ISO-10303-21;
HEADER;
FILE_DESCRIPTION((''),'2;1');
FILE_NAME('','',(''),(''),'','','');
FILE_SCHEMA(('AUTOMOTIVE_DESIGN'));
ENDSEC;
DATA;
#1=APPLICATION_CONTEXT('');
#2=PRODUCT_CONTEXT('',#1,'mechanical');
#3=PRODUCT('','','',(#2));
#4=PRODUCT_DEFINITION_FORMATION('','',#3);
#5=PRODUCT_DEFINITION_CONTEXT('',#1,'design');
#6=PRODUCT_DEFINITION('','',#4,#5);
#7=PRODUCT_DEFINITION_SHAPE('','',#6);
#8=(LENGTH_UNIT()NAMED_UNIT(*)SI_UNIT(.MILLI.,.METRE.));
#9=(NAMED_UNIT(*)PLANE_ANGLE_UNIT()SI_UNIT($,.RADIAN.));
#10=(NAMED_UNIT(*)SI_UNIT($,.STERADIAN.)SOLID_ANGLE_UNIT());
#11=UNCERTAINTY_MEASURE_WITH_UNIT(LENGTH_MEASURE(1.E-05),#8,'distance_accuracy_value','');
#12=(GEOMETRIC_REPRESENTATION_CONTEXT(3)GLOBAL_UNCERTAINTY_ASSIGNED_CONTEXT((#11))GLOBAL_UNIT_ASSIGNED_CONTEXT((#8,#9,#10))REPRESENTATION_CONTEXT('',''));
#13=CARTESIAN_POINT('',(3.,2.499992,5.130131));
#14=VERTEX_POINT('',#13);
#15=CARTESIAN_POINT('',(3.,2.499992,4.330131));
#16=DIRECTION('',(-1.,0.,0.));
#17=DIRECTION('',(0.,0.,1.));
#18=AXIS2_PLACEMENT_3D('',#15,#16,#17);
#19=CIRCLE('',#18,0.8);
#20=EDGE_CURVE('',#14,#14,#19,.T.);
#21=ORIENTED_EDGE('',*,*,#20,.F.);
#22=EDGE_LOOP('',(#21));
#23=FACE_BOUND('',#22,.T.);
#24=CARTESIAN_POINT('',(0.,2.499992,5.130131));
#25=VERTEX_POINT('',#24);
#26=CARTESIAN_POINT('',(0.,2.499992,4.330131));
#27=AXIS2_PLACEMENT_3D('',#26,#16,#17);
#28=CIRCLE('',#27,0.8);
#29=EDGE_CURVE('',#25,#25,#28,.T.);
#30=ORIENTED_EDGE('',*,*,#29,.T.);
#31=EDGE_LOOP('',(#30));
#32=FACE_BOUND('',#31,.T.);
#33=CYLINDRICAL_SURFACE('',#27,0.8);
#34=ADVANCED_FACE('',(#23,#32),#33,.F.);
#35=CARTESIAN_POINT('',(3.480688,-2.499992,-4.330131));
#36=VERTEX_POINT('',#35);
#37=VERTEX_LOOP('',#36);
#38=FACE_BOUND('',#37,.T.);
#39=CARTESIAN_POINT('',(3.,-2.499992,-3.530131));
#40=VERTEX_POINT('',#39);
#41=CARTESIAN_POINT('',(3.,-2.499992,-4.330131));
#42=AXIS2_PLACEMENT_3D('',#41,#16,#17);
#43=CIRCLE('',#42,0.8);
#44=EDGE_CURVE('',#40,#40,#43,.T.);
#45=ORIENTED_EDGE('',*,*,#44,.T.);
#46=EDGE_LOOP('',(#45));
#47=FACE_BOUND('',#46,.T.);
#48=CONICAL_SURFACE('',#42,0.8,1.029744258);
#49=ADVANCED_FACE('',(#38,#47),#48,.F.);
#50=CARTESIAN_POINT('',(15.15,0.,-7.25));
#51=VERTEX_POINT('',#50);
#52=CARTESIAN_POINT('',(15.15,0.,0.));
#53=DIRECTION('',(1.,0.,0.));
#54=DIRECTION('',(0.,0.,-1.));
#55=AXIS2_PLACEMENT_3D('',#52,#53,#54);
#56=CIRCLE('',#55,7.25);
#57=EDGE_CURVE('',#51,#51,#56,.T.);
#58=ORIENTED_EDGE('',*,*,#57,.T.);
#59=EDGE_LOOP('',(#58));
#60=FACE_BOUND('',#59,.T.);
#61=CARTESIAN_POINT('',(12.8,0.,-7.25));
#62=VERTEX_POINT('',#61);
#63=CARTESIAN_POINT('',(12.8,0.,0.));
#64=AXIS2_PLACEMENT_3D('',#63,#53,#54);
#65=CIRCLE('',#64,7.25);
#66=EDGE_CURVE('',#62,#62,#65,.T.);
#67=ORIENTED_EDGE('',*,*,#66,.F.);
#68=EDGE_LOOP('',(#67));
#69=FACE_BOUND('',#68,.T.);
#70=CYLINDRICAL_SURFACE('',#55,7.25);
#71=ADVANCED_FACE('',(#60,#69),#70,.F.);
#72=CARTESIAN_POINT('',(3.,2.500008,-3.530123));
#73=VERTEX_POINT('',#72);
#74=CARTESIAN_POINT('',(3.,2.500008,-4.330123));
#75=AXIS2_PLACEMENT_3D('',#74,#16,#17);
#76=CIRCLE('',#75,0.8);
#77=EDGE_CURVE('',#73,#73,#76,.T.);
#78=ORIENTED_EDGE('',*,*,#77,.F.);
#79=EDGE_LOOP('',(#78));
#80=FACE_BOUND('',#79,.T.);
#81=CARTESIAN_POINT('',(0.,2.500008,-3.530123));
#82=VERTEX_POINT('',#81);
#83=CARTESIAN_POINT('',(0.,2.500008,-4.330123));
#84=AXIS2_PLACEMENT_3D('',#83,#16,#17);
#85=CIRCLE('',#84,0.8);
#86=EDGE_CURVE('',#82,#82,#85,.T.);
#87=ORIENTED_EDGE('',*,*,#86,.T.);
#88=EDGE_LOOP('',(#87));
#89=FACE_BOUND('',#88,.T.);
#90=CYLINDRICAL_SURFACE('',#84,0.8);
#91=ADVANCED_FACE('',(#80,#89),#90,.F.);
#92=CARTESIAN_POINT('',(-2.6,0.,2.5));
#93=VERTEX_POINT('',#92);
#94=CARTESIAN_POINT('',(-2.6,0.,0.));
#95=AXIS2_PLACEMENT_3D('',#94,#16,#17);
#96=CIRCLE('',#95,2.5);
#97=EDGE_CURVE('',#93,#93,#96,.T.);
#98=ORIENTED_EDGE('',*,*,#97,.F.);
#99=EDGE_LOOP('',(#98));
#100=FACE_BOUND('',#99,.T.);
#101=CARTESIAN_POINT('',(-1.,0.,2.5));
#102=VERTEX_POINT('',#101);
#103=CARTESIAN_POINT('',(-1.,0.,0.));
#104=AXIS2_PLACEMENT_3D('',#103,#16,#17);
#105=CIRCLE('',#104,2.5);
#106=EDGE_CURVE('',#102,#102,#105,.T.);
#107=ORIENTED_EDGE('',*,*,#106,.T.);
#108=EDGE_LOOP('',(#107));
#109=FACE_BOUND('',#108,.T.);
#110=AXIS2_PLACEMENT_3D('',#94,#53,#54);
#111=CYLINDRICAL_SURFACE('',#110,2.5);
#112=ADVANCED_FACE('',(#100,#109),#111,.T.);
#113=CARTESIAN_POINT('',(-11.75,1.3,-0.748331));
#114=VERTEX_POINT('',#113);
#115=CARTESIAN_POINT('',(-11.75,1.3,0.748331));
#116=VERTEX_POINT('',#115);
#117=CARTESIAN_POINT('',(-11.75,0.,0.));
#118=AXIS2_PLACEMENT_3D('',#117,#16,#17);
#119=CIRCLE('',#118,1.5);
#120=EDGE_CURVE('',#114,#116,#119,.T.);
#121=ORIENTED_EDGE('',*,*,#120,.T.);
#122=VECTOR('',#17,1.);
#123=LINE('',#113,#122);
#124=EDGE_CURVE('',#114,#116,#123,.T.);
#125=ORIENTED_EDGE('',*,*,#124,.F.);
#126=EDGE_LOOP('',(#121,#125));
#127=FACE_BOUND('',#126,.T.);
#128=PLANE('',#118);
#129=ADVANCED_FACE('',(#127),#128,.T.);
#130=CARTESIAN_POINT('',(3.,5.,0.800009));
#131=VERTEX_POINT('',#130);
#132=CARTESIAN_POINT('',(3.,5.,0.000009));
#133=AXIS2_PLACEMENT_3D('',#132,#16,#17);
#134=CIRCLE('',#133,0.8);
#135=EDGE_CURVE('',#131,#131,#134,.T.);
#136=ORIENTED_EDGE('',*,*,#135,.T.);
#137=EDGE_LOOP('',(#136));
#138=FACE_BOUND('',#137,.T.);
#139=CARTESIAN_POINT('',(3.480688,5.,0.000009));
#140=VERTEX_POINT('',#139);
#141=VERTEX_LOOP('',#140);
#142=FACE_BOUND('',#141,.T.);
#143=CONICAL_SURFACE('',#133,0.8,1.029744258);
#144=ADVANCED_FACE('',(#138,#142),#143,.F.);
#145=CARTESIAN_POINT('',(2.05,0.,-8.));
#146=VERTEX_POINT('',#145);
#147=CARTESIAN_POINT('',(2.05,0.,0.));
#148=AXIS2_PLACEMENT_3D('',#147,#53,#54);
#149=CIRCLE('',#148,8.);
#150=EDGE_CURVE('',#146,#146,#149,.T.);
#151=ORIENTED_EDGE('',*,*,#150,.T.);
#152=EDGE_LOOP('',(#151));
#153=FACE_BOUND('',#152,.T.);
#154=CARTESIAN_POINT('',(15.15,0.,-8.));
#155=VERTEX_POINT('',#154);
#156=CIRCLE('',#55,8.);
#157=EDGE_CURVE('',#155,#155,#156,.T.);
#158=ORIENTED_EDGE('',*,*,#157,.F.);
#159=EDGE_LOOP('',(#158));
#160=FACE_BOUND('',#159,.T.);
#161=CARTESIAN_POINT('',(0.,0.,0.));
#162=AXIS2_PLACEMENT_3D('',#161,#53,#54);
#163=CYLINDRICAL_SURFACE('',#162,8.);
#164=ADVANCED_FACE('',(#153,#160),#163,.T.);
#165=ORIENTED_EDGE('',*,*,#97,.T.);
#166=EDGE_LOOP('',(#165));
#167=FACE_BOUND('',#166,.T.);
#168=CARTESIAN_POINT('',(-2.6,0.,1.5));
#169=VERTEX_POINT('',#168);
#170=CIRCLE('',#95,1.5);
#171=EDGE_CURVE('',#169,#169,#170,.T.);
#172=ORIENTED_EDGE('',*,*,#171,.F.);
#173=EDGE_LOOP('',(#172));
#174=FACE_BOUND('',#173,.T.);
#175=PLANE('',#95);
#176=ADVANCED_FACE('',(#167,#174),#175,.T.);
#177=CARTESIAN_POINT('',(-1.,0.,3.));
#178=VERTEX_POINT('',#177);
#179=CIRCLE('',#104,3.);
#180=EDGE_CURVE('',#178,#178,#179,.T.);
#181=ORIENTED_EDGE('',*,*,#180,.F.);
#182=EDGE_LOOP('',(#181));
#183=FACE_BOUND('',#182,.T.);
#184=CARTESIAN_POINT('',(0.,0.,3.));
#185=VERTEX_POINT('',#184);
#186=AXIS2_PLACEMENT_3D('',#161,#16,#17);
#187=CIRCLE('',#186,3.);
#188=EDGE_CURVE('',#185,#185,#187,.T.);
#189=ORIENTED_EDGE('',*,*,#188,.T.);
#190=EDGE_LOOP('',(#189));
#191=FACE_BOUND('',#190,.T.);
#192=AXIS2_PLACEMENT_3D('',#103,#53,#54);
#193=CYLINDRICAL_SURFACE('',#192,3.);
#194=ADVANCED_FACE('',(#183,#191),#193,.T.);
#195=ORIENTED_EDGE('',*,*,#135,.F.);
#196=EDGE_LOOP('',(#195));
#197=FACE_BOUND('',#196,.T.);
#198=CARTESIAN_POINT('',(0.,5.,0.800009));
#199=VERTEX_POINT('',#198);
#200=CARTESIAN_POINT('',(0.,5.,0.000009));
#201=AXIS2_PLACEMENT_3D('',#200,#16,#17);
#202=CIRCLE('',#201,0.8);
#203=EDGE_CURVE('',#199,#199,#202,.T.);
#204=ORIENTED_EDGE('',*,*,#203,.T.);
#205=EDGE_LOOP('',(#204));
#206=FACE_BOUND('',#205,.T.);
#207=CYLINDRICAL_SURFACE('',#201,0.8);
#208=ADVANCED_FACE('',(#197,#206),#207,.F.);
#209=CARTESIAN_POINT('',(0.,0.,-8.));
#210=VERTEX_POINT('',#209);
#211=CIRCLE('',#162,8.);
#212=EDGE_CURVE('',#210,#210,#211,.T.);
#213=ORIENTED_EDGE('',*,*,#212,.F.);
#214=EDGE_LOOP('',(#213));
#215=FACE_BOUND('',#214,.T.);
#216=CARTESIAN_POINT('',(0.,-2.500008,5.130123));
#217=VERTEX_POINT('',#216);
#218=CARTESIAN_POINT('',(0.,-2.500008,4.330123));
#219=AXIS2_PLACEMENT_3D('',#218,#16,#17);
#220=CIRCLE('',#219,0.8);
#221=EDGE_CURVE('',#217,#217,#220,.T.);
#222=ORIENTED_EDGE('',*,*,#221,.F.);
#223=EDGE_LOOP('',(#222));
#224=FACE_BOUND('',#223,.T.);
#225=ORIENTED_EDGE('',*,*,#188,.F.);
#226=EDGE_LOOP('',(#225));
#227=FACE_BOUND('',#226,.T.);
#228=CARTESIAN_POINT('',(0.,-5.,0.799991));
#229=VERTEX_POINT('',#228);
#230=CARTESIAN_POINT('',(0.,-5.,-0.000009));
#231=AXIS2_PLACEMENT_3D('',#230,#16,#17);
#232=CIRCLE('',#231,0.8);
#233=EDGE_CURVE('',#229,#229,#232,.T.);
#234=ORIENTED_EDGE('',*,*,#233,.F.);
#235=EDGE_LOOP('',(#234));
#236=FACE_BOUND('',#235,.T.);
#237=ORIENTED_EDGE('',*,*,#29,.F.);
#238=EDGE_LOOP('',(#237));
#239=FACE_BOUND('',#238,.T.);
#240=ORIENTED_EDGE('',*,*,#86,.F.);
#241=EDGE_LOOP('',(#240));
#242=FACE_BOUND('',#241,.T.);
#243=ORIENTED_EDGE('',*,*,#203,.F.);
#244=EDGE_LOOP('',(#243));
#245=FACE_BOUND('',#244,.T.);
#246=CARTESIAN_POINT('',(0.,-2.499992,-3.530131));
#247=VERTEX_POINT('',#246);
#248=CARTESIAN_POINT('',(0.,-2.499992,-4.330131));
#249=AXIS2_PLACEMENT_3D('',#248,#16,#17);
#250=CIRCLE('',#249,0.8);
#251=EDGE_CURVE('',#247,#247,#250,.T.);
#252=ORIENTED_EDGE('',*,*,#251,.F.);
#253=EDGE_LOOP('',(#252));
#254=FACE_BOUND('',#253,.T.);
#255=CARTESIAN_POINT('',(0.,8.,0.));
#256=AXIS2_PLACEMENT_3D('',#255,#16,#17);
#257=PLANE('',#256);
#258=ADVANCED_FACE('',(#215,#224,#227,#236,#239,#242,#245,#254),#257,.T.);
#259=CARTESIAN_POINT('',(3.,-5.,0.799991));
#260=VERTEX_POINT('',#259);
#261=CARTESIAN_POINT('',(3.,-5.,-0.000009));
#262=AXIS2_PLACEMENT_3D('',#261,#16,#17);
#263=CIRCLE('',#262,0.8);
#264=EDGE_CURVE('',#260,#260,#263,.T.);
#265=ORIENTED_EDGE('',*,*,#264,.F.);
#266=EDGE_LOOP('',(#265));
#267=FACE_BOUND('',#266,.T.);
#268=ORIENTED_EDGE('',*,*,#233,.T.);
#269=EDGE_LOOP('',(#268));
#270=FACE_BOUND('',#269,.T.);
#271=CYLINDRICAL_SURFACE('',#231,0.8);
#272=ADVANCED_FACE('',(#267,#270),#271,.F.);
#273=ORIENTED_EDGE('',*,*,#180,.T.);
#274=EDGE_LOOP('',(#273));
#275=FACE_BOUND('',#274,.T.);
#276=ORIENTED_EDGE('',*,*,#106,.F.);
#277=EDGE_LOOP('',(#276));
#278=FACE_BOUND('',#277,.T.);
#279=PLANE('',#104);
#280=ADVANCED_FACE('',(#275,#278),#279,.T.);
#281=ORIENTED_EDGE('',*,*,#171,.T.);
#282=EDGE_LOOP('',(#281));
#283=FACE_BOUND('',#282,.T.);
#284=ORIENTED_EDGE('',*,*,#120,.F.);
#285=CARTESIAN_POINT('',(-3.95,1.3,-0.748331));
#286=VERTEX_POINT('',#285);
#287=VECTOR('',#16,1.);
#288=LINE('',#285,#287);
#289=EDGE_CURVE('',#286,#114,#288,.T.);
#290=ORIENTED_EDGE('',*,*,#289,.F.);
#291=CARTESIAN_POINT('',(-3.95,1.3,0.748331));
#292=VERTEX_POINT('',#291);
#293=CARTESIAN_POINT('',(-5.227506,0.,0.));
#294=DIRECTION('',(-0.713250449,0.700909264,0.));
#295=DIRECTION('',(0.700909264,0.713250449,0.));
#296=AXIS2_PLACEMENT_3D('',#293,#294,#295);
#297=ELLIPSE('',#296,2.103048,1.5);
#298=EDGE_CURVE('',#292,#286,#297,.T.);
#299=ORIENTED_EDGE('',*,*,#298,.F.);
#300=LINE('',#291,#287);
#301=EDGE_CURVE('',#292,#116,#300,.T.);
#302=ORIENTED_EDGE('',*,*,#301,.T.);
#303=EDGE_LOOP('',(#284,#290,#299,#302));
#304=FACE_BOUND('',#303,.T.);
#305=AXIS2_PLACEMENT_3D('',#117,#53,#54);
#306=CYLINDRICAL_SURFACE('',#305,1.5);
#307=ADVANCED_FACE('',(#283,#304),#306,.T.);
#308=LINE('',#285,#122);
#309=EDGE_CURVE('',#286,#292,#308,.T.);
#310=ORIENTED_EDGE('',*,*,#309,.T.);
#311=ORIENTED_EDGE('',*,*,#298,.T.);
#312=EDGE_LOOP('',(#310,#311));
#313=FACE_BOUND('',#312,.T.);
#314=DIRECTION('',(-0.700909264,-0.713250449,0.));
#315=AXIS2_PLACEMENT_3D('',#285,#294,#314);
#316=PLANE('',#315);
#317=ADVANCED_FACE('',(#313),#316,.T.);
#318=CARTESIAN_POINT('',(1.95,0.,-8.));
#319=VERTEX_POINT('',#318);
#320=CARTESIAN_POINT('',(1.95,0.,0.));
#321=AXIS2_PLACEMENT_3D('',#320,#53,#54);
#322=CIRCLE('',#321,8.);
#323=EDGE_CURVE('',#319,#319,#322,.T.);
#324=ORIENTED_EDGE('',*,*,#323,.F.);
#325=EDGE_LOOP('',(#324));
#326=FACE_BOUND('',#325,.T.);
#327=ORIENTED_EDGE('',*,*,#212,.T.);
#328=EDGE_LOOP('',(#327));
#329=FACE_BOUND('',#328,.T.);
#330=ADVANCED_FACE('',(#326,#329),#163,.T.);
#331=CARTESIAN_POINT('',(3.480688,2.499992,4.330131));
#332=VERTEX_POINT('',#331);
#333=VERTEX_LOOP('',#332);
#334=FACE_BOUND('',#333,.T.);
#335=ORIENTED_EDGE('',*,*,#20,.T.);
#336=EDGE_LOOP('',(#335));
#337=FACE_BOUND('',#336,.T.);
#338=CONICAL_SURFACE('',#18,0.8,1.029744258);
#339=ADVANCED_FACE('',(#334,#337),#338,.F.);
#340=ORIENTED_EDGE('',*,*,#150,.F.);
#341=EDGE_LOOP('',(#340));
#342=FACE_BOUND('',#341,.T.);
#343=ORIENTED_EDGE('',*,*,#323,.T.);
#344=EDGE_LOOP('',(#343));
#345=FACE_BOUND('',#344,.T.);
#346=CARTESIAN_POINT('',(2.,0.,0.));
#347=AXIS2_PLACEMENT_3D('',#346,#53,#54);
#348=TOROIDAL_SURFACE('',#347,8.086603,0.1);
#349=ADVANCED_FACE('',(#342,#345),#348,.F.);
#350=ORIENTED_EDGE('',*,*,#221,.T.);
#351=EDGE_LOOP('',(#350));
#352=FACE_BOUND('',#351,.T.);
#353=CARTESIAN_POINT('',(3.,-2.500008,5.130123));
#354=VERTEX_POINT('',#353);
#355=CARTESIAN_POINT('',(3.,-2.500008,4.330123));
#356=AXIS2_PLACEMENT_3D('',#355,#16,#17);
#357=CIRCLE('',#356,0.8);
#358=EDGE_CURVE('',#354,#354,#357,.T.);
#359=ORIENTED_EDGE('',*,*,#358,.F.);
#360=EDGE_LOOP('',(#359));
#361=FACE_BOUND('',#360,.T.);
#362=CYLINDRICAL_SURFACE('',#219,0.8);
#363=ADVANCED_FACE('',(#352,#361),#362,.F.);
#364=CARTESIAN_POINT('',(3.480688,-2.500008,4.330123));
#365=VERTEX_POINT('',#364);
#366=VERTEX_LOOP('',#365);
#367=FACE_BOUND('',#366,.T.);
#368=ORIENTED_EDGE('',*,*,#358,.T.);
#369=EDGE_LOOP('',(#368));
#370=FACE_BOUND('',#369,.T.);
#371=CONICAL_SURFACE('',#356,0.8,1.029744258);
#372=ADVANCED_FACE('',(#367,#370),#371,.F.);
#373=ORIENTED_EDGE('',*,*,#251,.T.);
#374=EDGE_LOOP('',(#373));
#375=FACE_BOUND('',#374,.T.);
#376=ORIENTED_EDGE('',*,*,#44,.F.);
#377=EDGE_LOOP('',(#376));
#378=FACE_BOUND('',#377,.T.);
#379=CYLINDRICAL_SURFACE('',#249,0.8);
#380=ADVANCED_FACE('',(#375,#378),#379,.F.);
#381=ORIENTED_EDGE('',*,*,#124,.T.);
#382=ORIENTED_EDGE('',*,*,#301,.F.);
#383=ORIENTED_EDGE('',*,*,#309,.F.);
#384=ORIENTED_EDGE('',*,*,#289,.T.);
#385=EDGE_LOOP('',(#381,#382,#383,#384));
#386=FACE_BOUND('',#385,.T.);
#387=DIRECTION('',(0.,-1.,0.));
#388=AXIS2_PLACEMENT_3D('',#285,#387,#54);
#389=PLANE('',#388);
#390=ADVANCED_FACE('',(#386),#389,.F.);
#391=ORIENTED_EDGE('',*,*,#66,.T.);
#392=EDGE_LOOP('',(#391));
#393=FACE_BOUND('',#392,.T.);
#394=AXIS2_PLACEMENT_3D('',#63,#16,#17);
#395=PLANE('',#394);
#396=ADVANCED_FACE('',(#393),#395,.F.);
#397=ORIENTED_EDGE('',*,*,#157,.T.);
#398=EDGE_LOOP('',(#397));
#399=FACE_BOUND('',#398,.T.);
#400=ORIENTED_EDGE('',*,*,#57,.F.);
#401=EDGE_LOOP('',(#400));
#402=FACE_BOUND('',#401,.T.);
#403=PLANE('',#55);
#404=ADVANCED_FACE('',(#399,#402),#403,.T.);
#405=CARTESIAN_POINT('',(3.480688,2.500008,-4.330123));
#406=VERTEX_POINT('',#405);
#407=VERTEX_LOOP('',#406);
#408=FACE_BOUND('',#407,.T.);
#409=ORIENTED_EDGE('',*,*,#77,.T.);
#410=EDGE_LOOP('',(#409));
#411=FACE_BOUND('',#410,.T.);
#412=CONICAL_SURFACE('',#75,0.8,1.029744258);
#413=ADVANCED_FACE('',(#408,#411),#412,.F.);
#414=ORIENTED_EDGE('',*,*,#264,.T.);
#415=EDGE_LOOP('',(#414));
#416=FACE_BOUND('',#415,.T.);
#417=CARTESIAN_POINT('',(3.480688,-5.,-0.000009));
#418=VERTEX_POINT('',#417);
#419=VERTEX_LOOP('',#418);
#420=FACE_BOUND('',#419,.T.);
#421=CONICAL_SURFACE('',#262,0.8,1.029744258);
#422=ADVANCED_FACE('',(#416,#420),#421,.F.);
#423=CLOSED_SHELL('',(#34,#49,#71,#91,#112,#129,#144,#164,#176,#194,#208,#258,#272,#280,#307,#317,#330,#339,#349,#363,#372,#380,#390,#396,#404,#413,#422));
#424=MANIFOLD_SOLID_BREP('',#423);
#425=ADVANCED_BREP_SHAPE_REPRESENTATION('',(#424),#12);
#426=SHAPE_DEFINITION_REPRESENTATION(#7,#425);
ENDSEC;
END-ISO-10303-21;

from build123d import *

# Parameters (mm, degrees)
SKETCH2_R                        = 3
BOSS_EXTRUDE1_DEPTH              = 1
SKETCH3_R                        = 2.5
BOSS_EXTRUDE2_DEPTH              = 1.6
SKETCH4_R                        = 1.5
BOSS_EXTRUDE3_DEPTH              = 9.15
CUT_EXTRUDE1_DEPTH               = 7.8
DRAFT1_ANGLE                     = 44.5
F_14_5_14_5_DIAMETER_HOLE1_D     = 14.5
F_14_5_14_5_DIAMETER_HOLE1_DEPTH = 2.35
F_1_6_1_6_DIAMETER_HOLE1_D       = 1.6
F_1_6_1_6_DIAMETER_HOLE1_DEPTH   = 3
F_1_6_1_6_DIAMETER_HOLE1_TIP     = 0.480688495


with BuildPart() as part:
    # Sketch1 → Revolve1 (revolve)
    with BuildSketch(Plane.XY):
        with BuildLine():
            Line((0, 8), (0, 0))
            Line((0, 0), (15.15, 0))
            Line((15.15, 0), (15.15, 8))
            Line((15.15, 8), (2.05, 8))
            ThreePointArc((2.05, 8), (2, 7.98660254), (1.95, 8))
            Line((1.95, 8), (0, 8))
        make_face()
    revolve(axis=Axis((0, 0, 0), (1, 0, 0)))

    # Sketch2 → Boss-Extrude1 (add)
    with BuildSketch(Plane.ZY):
        Circle(SKETCH2_R)
    extrude(amount=BOSS_EXTRUDE1_DEPTH)

    # Sketch3 → Boss-Extrude2 (add)
    with BuildSketch(Plane.ZY.offset(1)):
        Circle(SKETCH3_R)
    extrude(amount=BOSS_EXTRUDE2_DEPTH)

    # Sketch4 → Boss-Extrude3 (add)
    with BuildSketch(Plane.ZY.offset(2.6)):
        Circle(SKETCH4_R)
    extrude(amount=BOSS_EXTRUDE3_DEPTH)

    # Sketch5 → Cut-Extrude1 (cut)
    with BuildSketch(Plane.ZY.offset(11.75)):
        with BuildLine():
            Line((-0.748331477, 1.3), (0.748331477, 1.3))
            ThreePointArc((0.748331477, 1.3), (0, 1.5), (-0.748331477, 1.3))
        make_face()
    extrude(amount=-CUT_EXTRUDE1_DEPTH, mode=Mode.SUBTRACT)

    # Draft1
    draft1_faces = [part.faces().sort_by_distance(p)[0] for p in [
        (-3.95, 1.380475515, 0),
    ]]
    draft(draft1_faces, Plane(origin=(-3.95, 1.3, -0.748331477), x_dir=(0, 0, 1), z_dir=(0, 1, 0)), DRAFT1_ANGLE)

    # Ø14.5 (14.5) Diameter Hole1
    with Locations(Plane(origin=(15.15, 0, 0), x_dir=(0, 0, -1), z_dir=(1, 0, 0))):
        with Locations((0, 0)):
            Hole(F_14_5_14_5_DIAMETER_HOLE1_D / 2, depth=F_14_5_14_5_DIAMETER_HOLE1_DEPTH)

    # Ø1.6 (1.6) Diameter Hole1
    with Locations(Plane.ZY):
        with Locations((8.727e-06, 5), (4.330131382, 2.499992442), (4.330122656, -2.500007557), (-8.727e-06, -5), (-4.330131382, -2.499992442), (-4.330122656, 2.500007557)):
            Hole(F_1_6_1_6_DIAMETER_HOLE1_D / 2, depth=F_1_6_1_6_DIAMETER_HOLE1_DEPTH)
            with Locations((0, 0, -(F_1_6_1_6_DIAMETER_HOLE1_DEPTH + F_1_6_1_6_DIAMETER_HOLE1_TIP / 2))):  # 118° drill point
                Cone(0, F_1_6_1_6_DIAMETER_HOLE1_D / 2, F_1_6_1_6_DIAMETER_HOLE1_TIP, mode=Mode.SUBTRACT)


solid = part.part
